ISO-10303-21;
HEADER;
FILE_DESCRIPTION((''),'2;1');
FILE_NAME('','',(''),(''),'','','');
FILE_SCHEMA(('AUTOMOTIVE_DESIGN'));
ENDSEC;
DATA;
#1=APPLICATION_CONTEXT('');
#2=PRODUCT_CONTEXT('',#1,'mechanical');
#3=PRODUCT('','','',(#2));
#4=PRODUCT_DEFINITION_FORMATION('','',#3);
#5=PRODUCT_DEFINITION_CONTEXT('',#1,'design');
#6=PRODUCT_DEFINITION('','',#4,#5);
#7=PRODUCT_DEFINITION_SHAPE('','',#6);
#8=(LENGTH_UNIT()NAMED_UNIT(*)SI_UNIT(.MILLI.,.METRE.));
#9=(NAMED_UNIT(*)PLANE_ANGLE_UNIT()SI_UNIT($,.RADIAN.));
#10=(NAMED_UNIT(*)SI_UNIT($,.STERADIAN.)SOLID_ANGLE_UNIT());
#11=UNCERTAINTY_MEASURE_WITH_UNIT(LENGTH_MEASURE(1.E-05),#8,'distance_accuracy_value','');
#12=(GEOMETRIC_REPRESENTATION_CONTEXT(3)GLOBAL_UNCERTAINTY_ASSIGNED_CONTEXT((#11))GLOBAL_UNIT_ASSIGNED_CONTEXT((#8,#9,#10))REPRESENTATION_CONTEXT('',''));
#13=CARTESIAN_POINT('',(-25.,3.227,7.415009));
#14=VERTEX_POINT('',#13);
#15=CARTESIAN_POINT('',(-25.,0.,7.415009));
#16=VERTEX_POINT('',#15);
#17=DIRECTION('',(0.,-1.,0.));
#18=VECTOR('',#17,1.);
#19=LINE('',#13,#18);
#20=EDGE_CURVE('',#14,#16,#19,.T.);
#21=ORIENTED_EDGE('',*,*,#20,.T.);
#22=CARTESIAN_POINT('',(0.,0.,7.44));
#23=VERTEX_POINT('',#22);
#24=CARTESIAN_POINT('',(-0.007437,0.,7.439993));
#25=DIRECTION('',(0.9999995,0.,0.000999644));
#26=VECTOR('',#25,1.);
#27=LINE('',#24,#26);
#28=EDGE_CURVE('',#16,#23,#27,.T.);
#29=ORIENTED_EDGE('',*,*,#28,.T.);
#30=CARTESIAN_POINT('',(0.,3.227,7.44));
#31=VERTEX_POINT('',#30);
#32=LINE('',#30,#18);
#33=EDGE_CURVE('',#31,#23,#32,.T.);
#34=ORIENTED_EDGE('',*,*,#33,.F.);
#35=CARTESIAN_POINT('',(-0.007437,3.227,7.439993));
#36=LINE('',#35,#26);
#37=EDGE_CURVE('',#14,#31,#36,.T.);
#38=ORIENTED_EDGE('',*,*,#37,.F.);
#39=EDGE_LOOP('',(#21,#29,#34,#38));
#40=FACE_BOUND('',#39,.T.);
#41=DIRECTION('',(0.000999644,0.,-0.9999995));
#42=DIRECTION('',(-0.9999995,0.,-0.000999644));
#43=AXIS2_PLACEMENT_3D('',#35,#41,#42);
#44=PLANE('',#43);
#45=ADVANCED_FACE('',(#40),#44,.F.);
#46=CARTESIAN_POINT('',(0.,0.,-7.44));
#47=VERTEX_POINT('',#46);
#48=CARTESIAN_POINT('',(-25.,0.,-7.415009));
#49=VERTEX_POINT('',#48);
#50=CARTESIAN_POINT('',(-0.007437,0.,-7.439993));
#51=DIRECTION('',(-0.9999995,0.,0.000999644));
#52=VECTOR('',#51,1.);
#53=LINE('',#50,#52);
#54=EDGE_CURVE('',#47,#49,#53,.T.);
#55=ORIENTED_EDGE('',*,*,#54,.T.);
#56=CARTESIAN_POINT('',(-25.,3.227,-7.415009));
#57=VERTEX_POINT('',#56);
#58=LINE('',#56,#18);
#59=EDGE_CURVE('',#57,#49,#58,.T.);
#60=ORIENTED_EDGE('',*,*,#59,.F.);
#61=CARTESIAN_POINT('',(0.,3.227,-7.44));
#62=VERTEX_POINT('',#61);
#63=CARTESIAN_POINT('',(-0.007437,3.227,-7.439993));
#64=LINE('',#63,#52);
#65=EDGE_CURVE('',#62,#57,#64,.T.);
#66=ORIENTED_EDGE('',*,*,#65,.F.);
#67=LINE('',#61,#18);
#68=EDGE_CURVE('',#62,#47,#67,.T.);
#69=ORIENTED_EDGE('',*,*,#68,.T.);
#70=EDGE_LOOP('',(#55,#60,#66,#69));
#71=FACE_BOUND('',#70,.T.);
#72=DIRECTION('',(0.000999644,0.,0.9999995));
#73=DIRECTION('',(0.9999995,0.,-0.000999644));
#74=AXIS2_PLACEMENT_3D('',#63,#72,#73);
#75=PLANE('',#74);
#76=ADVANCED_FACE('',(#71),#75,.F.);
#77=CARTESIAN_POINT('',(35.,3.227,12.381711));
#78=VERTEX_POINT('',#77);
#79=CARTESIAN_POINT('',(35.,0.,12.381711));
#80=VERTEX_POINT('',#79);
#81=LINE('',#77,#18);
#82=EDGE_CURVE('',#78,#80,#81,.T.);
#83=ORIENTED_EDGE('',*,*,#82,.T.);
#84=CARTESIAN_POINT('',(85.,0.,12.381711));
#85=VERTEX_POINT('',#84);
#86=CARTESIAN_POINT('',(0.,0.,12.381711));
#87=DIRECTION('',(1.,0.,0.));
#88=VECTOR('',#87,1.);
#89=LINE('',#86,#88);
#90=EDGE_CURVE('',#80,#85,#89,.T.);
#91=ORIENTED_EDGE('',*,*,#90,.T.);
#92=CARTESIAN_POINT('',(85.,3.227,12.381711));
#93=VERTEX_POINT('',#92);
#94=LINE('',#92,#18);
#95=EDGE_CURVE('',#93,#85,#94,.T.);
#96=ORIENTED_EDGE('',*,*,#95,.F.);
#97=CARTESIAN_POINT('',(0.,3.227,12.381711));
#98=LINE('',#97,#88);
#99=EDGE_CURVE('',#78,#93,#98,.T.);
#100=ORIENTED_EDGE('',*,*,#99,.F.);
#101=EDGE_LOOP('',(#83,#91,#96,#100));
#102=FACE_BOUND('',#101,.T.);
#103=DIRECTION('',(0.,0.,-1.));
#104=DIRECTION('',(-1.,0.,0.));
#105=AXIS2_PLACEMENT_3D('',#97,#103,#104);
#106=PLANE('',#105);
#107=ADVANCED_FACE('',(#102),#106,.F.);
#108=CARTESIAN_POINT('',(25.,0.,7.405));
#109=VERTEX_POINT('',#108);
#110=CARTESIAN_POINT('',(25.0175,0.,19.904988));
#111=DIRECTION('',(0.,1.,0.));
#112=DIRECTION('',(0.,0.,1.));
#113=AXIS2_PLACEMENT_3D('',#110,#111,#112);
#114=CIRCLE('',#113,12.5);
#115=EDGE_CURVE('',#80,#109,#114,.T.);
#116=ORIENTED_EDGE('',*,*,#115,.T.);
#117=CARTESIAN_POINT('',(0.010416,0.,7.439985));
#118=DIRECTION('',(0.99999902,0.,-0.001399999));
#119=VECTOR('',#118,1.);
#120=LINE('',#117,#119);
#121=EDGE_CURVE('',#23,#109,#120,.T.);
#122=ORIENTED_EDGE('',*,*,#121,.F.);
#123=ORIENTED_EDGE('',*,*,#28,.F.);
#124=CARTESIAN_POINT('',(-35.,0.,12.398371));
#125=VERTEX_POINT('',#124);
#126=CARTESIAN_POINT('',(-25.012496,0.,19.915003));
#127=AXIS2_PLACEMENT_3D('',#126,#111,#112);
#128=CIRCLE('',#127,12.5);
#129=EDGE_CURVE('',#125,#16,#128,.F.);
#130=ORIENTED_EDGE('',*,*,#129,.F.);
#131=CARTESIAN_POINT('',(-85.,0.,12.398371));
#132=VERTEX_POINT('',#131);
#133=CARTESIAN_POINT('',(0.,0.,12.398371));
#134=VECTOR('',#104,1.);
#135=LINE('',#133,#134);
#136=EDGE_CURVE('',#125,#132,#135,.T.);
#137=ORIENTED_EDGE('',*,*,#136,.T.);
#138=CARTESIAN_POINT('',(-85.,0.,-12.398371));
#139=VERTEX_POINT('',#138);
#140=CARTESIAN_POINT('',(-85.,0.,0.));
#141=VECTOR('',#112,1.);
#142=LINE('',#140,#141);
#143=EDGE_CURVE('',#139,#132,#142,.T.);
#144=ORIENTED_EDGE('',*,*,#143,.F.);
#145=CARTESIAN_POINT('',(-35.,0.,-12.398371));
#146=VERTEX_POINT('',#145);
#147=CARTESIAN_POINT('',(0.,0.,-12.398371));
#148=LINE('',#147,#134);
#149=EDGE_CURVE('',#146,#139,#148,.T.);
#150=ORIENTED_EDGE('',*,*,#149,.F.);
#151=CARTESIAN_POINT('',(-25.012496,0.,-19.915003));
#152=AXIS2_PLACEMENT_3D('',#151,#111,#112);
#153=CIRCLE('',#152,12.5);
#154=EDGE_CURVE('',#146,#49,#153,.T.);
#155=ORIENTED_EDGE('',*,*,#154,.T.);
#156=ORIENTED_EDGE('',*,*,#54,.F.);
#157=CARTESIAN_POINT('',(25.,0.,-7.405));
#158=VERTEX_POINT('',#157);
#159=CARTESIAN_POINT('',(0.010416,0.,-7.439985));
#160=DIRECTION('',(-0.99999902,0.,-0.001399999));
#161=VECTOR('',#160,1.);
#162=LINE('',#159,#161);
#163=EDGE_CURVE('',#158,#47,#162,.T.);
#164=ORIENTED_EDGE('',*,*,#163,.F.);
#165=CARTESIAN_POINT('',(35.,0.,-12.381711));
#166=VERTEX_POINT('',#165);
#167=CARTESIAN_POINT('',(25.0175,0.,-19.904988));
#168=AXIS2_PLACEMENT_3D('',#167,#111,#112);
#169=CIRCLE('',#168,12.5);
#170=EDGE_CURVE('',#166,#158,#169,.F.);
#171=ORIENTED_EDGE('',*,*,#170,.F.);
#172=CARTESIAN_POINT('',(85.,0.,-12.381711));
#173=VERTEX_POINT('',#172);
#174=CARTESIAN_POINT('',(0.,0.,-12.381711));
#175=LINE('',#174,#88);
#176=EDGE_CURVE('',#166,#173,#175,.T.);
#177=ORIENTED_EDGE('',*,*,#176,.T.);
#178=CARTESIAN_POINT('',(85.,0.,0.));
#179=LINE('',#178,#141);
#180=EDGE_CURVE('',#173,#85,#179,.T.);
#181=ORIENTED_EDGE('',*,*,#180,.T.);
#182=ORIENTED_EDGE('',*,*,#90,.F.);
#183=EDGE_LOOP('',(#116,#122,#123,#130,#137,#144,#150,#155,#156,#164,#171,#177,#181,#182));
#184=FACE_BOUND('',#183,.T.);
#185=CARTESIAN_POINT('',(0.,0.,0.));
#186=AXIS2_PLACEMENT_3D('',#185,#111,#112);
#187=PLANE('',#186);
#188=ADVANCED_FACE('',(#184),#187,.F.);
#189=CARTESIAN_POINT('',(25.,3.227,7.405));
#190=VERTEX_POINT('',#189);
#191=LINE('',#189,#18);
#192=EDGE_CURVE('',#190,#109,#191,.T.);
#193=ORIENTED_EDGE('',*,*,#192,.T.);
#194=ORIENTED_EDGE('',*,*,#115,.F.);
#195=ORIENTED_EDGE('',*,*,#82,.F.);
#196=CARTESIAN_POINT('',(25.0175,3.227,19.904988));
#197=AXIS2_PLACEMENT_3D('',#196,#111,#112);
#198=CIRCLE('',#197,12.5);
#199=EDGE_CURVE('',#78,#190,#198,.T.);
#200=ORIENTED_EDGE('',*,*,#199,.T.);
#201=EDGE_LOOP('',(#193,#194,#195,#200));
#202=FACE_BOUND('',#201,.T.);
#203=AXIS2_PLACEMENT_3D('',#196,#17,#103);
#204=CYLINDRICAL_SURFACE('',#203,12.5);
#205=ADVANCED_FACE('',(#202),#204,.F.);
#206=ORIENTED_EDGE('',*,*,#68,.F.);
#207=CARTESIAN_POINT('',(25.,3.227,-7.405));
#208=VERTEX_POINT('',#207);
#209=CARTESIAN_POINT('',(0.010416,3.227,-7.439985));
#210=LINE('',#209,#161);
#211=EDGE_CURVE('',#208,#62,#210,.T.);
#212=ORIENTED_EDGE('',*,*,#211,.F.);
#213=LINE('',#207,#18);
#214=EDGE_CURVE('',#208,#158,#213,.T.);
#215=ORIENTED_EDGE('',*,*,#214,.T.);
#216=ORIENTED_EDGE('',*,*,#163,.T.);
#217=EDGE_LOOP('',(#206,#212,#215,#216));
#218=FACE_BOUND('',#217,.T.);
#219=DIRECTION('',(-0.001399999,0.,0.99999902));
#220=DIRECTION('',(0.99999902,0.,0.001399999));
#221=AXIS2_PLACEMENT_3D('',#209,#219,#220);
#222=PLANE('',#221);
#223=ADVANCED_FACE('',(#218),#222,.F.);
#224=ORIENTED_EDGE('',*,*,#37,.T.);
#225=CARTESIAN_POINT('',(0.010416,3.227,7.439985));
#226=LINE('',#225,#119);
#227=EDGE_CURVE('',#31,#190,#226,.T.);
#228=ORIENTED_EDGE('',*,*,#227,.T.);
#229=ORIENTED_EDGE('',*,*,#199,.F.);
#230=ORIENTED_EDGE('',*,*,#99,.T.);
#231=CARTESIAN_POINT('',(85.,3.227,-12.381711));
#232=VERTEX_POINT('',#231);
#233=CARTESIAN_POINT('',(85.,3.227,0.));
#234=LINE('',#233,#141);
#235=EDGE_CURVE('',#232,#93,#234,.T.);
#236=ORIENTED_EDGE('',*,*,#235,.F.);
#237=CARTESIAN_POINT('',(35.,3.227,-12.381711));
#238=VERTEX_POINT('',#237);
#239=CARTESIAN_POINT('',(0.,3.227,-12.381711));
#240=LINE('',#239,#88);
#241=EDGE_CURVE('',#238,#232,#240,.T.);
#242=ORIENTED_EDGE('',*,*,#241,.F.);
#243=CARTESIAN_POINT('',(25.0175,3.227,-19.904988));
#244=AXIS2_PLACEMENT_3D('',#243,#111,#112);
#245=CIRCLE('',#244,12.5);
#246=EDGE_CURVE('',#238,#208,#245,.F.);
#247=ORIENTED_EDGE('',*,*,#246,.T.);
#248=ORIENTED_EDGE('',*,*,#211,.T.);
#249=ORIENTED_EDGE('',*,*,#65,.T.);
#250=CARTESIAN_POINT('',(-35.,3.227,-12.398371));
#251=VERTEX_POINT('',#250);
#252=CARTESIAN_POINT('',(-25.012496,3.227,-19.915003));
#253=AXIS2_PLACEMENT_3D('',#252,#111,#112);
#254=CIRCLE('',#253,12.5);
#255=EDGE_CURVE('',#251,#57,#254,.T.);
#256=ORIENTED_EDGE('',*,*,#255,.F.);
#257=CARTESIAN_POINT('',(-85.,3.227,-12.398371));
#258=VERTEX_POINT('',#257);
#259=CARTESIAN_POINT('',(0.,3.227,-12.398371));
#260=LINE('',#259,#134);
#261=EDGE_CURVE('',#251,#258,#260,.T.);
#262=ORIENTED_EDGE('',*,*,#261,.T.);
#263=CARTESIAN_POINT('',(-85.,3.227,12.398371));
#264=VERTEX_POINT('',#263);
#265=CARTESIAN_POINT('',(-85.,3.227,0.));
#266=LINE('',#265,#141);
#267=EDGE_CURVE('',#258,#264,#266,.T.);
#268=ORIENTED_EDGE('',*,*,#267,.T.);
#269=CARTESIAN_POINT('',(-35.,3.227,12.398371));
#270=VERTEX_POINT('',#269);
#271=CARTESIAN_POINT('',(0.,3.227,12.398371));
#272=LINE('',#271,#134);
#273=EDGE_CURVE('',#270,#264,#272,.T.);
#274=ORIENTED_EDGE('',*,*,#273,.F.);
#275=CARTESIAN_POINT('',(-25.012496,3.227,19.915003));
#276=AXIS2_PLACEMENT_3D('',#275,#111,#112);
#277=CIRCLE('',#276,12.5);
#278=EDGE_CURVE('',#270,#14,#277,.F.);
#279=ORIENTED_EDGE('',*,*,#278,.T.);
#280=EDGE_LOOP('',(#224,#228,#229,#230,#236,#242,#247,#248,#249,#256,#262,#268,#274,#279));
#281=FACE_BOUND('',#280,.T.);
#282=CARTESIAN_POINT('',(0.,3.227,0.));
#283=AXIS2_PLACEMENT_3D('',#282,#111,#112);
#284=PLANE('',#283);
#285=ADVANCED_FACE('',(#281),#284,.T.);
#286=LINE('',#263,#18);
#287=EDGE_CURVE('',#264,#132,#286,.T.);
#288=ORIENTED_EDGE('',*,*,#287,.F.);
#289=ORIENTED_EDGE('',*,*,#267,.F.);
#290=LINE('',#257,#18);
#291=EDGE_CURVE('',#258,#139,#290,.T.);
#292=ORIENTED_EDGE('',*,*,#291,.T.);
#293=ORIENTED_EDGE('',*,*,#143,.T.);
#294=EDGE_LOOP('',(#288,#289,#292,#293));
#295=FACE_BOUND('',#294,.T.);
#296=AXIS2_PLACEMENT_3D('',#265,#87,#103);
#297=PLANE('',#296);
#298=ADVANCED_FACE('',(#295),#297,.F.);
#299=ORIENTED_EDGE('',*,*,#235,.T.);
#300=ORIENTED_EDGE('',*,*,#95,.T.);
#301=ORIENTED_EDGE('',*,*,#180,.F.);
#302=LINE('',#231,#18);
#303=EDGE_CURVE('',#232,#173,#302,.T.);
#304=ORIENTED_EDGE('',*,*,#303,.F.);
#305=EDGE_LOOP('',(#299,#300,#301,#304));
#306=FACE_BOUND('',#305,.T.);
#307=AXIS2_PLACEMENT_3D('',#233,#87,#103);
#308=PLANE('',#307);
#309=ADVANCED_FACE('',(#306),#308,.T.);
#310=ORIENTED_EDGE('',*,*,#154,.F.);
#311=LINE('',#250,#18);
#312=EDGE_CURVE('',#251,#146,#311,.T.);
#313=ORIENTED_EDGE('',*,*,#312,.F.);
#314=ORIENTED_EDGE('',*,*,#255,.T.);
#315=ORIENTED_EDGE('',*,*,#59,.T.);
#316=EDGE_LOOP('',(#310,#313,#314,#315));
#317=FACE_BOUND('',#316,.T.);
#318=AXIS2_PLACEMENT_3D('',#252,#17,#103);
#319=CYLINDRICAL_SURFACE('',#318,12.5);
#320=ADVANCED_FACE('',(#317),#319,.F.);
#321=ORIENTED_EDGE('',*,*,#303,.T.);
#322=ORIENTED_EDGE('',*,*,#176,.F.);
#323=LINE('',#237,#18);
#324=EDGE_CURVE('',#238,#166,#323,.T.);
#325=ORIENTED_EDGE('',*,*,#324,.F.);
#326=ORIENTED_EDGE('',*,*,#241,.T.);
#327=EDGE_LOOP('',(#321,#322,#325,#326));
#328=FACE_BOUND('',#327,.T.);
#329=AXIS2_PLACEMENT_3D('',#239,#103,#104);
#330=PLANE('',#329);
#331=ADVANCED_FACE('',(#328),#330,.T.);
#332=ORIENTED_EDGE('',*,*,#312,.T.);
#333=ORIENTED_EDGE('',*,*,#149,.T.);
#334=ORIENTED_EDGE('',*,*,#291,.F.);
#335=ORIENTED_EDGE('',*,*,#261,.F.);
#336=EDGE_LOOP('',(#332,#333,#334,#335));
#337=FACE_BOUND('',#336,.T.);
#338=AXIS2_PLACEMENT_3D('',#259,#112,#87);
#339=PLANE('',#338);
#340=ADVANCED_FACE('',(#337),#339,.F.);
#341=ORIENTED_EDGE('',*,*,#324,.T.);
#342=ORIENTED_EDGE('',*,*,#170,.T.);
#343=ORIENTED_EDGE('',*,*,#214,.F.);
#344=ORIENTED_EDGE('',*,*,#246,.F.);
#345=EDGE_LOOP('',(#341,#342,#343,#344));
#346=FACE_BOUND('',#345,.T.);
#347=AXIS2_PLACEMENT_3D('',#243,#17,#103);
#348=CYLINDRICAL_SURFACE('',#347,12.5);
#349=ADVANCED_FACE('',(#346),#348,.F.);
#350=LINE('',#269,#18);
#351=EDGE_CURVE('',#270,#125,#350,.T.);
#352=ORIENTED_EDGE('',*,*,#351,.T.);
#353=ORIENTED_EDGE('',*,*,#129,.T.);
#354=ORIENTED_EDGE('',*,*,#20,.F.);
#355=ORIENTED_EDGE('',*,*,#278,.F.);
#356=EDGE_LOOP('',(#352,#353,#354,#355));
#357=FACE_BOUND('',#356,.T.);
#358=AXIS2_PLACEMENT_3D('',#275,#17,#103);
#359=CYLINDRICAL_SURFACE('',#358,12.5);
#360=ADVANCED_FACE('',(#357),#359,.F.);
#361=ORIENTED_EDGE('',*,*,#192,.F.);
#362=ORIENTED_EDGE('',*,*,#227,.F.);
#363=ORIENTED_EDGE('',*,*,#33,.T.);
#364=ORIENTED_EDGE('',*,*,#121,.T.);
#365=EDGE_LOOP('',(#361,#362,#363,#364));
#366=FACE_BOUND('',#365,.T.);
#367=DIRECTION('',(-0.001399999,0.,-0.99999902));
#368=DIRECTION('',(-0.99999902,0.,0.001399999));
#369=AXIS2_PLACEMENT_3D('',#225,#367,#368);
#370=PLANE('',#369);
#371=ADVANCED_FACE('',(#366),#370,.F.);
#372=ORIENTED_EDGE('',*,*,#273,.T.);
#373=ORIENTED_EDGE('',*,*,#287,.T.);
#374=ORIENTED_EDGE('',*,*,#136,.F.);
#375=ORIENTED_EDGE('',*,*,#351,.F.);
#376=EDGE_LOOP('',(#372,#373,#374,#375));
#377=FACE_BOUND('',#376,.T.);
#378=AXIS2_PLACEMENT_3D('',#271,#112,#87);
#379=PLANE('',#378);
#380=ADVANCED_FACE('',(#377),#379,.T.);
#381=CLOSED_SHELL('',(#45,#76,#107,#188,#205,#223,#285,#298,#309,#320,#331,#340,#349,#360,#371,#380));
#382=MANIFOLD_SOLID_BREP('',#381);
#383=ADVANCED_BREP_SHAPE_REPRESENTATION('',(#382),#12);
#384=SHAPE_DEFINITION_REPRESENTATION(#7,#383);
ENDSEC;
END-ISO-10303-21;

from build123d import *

# Parameters (mm, degrees)
BOSS_EXTRUDE2_DEPTH = 3.227


with BuildPart() as part:
    # Sketch1 → Boss-Extrude2 (new body)
    with BuildSketch(Plane(origin=(0, 0, 0), x_dir=(1, 0, 0), z_dir=(0, 1, 0))):
        with BuildLine():
            Line((35, 12.381710977), (85, 12.381710977))
            Line((85, 12.381710977), (85, -12.381710977))
            Line((85, -12.381710977), (35, -12.381710977))
            ThreePointArc((35, -12.381710977), (30.586810484, -8.714242442), (25, -7.405))
            Line((25, -7.405), (0, -7.44))
            Line((0, -7.44), (-25, -7.415008884))
            ThreePointArc((-25, -7.415008884), (-30.587769043, -8.727226921), (-35, -12.398370753))
            Line((-35, -12.398370753), (-85, -12.398370753))
            Line((-85, -12.398370753), (-85, 12.398370753))
            Line((-85, 12.398370753), (-35, 12.398370753))
            ThreePointArc((-35, 12.398370753), (-30.587769043, 8.727226921), (-25, 7.415008884))
            Line((-25, 7.415008884), (0, 7.44))
            Line((0, 7.44), (25, 7.405))
            ThreePointArc((25, 7.405), (30.586810484, 8.714242442), (35, 12.381710977))
        make_face()
    extrude(amount=BOSS_EXTRUDE2_DEPTH)


solid = part.part
